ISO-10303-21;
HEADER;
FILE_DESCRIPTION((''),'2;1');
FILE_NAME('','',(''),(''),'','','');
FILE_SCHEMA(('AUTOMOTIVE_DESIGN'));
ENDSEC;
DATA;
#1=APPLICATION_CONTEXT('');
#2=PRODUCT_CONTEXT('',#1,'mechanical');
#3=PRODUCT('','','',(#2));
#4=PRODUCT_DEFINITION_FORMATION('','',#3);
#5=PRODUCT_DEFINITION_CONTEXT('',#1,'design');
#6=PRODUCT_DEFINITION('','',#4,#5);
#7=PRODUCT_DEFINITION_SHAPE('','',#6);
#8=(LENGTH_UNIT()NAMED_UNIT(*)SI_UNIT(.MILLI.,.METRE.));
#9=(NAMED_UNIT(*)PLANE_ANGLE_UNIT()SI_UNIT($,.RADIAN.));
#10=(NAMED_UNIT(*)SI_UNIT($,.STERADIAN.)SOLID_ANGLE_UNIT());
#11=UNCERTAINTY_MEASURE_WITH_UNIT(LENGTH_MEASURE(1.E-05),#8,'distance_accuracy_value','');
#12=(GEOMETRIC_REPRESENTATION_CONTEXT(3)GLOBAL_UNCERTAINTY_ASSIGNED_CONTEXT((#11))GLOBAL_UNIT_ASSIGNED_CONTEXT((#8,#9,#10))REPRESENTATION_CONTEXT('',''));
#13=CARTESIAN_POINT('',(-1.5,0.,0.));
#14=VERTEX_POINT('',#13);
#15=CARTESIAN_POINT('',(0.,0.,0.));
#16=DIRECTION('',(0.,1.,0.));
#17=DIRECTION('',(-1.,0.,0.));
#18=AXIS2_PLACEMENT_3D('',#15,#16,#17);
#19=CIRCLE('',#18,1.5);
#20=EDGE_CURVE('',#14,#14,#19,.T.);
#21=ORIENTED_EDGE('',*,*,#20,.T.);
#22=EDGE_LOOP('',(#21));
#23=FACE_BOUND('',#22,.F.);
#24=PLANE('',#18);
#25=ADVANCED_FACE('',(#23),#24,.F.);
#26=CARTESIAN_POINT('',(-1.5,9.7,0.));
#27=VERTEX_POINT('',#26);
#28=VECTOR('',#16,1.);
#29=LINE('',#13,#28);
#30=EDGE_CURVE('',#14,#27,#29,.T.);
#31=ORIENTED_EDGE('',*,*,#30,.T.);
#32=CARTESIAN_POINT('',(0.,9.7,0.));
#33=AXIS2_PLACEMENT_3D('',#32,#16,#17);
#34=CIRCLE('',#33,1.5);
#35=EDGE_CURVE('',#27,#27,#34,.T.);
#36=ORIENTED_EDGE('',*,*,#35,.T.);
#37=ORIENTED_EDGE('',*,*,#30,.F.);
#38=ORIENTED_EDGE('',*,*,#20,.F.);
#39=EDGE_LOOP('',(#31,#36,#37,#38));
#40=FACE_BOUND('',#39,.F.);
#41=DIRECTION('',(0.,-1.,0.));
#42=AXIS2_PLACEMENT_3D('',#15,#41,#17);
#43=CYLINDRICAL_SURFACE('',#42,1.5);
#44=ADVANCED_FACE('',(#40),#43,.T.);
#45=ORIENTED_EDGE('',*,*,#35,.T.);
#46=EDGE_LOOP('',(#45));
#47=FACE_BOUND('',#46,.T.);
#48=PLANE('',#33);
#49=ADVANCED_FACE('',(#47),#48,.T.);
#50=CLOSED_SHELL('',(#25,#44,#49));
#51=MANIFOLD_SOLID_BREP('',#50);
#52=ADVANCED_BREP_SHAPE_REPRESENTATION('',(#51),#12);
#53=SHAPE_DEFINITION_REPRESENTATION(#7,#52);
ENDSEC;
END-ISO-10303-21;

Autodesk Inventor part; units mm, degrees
ref_plane "YZ Plane" through (0, 0, 0) normal (1, 0, 0) x (0, 1, 0)
ref_plane "XZ Plane" through (0, 0, 0) normal (0, 1, 0) x (-1, 0, 0)
ref_plane "XY Plane" through (0, 0, 0) normal (0, 0, 1) x (1, 0, 0)
sketch "Sketch1" plane through (0, 0, 0) normal (0, 1, 0) x (-1, 0, 0)
  circle A0 centre (0, 0) radius 1.5
  dimension "d0" = 3
extrude "Extrusion1" add sketch "Sketch1" along normal blind 9.7
properties part number "m3"
